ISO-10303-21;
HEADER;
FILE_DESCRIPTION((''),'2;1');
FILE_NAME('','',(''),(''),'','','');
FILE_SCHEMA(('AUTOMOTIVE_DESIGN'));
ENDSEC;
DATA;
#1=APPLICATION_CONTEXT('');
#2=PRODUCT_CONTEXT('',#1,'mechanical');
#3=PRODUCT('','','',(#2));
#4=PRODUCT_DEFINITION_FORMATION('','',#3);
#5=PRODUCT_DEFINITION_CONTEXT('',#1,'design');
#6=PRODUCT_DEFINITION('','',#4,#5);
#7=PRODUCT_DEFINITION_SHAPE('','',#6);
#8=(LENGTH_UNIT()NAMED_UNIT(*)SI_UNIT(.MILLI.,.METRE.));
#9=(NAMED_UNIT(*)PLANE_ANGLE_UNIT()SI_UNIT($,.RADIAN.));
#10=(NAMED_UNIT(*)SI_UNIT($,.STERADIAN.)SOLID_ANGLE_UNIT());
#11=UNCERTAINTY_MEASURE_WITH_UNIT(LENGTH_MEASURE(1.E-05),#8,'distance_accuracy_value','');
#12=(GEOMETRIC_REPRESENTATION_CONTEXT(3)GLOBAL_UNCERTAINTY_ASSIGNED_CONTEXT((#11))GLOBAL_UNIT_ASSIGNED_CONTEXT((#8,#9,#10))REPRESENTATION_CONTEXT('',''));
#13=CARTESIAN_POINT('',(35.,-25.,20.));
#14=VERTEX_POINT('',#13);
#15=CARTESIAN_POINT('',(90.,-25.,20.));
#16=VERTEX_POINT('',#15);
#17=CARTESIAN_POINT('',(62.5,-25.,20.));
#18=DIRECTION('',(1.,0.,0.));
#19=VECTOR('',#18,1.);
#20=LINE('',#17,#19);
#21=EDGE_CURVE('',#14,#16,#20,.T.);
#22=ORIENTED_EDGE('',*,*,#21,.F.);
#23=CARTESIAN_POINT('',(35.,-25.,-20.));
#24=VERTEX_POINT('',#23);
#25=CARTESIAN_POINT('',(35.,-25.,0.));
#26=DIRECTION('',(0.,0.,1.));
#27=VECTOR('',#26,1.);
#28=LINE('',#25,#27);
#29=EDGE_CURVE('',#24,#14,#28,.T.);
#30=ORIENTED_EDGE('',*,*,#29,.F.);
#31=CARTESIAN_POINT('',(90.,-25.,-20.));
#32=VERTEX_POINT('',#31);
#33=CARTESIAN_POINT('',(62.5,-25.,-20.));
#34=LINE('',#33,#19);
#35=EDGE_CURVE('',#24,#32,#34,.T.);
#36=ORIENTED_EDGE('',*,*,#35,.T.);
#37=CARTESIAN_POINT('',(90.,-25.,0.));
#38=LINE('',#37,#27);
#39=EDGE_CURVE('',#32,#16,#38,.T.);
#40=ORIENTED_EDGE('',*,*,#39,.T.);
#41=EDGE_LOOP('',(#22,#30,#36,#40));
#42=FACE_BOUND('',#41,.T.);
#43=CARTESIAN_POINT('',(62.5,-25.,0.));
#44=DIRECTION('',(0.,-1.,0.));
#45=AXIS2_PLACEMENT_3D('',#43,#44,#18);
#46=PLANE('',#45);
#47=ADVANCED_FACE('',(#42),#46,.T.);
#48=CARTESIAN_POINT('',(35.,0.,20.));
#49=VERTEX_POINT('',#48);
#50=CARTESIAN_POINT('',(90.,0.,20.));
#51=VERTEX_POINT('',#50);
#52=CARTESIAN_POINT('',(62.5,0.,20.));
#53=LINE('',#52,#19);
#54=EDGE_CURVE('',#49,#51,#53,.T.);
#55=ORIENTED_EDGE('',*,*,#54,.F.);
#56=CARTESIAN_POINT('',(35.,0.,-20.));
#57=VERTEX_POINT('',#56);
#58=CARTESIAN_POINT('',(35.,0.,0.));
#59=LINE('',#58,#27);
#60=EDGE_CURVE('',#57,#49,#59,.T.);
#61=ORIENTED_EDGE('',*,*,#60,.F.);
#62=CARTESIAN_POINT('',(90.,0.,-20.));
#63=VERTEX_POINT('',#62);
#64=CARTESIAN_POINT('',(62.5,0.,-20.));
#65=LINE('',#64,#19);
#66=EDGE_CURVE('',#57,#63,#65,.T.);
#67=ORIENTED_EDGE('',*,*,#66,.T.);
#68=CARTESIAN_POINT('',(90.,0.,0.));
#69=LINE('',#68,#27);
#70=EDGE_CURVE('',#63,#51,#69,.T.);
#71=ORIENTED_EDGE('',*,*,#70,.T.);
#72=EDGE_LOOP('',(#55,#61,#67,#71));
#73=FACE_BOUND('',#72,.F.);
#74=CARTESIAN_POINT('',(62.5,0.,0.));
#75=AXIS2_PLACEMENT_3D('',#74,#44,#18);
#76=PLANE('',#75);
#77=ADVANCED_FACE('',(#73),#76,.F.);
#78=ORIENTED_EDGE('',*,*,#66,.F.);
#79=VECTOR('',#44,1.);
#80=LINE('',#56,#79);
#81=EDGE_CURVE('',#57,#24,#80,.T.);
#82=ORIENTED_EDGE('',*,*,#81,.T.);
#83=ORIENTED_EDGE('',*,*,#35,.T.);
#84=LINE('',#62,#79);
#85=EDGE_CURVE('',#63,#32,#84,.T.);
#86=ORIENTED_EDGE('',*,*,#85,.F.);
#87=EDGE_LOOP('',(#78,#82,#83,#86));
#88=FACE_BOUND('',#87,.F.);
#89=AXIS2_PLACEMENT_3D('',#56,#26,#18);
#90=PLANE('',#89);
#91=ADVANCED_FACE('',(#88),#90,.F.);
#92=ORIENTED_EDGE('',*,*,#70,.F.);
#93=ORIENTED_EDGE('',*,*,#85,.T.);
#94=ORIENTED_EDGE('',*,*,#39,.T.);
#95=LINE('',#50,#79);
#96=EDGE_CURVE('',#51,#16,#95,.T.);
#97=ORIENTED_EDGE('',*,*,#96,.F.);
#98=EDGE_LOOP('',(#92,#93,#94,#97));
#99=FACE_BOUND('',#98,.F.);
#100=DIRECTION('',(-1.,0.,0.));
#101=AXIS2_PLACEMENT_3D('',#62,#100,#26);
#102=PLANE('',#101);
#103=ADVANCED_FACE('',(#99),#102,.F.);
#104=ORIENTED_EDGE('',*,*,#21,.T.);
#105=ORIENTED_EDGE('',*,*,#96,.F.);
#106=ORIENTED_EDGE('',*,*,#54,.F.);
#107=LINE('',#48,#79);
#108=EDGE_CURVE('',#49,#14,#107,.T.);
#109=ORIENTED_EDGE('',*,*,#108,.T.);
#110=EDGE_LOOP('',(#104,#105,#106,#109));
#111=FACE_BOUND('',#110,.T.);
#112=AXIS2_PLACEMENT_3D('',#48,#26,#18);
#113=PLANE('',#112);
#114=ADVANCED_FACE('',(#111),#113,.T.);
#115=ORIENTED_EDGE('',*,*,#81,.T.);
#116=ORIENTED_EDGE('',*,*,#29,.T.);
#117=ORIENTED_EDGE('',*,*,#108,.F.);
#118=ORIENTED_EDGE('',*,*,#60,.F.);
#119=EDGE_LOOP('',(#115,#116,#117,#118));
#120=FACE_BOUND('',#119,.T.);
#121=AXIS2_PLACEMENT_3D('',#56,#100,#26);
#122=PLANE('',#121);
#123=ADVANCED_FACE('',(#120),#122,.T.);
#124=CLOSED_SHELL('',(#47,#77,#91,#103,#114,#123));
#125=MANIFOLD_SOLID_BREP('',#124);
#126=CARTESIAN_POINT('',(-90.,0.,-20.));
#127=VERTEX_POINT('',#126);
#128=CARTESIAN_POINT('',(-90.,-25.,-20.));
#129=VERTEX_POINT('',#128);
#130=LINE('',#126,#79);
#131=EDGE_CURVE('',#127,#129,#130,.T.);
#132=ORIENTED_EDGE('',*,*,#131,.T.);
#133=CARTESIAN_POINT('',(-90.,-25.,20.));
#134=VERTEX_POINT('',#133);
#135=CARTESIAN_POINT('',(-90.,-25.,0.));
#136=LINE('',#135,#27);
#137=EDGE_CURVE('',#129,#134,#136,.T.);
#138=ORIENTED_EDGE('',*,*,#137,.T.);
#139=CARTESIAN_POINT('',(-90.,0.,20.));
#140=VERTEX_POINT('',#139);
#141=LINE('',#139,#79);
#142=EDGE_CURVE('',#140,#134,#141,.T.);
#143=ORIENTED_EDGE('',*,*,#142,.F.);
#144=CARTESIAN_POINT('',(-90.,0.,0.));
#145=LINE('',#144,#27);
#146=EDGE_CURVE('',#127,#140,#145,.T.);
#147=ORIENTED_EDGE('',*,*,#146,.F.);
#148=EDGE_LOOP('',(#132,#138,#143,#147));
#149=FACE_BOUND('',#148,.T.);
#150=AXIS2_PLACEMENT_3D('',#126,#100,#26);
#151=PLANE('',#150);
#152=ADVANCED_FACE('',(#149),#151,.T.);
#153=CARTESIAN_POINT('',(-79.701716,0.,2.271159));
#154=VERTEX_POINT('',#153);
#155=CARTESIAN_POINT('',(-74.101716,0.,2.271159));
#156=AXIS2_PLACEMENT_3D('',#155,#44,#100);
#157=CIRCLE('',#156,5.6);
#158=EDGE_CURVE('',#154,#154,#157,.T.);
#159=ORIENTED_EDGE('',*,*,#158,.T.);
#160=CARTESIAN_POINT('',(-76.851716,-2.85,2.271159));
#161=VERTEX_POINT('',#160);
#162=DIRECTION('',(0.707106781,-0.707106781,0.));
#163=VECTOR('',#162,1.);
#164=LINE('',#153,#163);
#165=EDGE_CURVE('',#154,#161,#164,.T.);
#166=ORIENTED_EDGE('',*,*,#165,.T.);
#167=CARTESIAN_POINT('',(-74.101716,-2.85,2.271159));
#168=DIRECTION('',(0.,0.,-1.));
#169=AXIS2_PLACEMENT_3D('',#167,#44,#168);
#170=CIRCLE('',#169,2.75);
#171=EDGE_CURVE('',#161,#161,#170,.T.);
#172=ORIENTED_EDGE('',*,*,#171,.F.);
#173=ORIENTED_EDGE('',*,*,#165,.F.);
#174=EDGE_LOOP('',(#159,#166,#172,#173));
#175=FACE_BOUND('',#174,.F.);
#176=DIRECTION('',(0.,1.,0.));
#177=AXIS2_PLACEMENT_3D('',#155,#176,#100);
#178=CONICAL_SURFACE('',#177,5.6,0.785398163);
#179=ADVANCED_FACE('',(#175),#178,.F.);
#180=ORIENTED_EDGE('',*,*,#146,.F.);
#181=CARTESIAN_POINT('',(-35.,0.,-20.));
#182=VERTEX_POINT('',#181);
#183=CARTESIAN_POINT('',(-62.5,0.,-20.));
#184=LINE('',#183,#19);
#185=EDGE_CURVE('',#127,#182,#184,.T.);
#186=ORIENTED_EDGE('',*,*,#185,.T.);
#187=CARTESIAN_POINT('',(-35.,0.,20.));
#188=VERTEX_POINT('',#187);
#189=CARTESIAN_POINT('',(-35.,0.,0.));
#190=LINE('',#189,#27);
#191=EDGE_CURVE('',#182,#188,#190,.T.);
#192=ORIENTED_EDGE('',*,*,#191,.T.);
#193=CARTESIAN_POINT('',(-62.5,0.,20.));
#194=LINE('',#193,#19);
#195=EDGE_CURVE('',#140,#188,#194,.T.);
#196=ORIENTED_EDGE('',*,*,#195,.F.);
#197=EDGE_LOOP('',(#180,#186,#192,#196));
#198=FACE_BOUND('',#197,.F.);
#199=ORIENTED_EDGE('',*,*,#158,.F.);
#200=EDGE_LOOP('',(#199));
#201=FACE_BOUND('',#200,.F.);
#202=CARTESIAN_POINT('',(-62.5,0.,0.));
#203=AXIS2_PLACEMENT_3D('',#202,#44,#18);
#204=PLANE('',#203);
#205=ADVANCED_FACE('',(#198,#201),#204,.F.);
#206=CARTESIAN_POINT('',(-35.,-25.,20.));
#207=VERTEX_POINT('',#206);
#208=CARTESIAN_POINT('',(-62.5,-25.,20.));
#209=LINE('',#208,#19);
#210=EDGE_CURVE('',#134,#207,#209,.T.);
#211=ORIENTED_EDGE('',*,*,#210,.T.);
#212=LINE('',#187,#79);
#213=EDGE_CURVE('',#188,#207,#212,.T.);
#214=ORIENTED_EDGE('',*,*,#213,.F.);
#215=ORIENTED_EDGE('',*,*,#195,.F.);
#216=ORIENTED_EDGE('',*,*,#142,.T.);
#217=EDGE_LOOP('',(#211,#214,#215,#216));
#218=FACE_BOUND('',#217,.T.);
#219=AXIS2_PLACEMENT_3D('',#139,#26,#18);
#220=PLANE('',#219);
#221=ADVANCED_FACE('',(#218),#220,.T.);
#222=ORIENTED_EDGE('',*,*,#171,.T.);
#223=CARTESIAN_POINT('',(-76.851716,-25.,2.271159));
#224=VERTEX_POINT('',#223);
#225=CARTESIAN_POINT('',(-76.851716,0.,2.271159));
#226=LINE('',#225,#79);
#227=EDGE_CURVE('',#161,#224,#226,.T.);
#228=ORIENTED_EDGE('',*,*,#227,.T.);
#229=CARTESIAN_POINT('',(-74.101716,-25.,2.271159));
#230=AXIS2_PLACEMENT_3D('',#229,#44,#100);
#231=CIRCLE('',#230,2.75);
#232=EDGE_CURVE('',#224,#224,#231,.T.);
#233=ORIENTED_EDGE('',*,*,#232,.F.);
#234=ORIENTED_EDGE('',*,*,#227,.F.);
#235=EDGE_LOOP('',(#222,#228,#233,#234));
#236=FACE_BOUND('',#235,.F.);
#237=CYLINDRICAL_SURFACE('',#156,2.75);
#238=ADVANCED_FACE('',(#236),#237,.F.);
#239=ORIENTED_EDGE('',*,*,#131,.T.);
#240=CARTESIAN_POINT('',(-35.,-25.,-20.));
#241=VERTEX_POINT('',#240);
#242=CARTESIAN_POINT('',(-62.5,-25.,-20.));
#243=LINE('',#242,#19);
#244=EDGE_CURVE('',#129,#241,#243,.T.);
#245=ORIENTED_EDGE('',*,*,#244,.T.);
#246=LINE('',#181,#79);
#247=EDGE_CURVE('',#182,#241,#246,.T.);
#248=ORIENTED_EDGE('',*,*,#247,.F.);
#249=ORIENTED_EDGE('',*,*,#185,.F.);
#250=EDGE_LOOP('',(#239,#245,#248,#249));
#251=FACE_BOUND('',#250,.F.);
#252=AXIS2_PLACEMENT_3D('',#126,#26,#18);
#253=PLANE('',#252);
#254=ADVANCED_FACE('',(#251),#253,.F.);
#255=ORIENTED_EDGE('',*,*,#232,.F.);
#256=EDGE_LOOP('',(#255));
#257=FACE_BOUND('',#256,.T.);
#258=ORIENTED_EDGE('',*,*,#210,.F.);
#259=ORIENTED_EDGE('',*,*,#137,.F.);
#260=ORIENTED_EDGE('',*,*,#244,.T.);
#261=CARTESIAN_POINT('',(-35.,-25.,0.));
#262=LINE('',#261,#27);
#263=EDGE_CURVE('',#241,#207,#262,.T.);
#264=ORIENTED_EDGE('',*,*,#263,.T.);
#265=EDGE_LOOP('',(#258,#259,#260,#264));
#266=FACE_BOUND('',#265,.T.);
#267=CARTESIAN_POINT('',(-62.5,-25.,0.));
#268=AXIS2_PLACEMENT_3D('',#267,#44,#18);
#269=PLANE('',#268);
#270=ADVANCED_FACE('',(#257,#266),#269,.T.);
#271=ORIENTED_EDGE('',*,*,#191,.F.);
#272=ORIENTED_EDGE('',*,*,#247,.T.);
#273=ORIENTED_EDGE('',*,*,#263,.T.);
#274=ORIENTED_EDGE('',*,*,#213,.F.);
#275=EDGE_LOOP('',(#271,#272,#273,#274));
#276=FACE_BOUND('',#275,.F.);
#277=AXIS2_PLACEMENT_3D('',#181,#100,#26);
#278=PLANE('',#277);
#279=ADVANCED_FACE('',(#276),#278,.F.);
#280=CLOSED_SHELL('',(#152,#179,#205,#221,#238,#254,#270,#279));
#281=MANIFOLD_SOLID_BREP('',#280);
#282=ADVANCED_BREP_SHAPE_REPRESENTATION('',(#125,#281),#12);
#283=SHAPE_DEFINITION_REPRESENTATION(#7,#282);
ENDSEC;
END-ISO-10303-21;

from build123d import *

# Parameters (mm, degrees)
F0_W           = 54.999999851
F0_H           = 40
F1_DEPTH       = 25
F0_W_2         = 55
F2_D           = 5.5
F2_CSINK_D     = 11.2
F2_CSINK_ANGLE = 90


with BuildPart() as f1:
    # F0 (on Front) → F1 (new body)
    with BuildSketch(Plane.XZ):
        with Locations((-62.5000000745, 0)):
            Rectangle(F0_W, F0_H)
    extrude(amount=F1_DEPTH)

    # F2 (through all)
    with Locations(Plane(origin=(0, 0, 0), x_dir=(1, 0, 0), z_dir=(0, 1, 0))):
        with Locations((-74.10171628, -2.2711590864)):
            CounterSinkHole(F2_D / 2, F2_CSINK_D / 2, counter_sink_angle=F2_CSINK_ANGLE)


with BuildPart() as f1b:
    # F0 (on Front) → F1, piece 2 (new body)
    with BuildSketch(Plane.XZ):
        with Locations((62.5, 0)):
            Rectangle(F0_W_2, F0_H)
    extrude(amount=F1_DEPTH)


solid = Compound([f1.part, f1b.part])
